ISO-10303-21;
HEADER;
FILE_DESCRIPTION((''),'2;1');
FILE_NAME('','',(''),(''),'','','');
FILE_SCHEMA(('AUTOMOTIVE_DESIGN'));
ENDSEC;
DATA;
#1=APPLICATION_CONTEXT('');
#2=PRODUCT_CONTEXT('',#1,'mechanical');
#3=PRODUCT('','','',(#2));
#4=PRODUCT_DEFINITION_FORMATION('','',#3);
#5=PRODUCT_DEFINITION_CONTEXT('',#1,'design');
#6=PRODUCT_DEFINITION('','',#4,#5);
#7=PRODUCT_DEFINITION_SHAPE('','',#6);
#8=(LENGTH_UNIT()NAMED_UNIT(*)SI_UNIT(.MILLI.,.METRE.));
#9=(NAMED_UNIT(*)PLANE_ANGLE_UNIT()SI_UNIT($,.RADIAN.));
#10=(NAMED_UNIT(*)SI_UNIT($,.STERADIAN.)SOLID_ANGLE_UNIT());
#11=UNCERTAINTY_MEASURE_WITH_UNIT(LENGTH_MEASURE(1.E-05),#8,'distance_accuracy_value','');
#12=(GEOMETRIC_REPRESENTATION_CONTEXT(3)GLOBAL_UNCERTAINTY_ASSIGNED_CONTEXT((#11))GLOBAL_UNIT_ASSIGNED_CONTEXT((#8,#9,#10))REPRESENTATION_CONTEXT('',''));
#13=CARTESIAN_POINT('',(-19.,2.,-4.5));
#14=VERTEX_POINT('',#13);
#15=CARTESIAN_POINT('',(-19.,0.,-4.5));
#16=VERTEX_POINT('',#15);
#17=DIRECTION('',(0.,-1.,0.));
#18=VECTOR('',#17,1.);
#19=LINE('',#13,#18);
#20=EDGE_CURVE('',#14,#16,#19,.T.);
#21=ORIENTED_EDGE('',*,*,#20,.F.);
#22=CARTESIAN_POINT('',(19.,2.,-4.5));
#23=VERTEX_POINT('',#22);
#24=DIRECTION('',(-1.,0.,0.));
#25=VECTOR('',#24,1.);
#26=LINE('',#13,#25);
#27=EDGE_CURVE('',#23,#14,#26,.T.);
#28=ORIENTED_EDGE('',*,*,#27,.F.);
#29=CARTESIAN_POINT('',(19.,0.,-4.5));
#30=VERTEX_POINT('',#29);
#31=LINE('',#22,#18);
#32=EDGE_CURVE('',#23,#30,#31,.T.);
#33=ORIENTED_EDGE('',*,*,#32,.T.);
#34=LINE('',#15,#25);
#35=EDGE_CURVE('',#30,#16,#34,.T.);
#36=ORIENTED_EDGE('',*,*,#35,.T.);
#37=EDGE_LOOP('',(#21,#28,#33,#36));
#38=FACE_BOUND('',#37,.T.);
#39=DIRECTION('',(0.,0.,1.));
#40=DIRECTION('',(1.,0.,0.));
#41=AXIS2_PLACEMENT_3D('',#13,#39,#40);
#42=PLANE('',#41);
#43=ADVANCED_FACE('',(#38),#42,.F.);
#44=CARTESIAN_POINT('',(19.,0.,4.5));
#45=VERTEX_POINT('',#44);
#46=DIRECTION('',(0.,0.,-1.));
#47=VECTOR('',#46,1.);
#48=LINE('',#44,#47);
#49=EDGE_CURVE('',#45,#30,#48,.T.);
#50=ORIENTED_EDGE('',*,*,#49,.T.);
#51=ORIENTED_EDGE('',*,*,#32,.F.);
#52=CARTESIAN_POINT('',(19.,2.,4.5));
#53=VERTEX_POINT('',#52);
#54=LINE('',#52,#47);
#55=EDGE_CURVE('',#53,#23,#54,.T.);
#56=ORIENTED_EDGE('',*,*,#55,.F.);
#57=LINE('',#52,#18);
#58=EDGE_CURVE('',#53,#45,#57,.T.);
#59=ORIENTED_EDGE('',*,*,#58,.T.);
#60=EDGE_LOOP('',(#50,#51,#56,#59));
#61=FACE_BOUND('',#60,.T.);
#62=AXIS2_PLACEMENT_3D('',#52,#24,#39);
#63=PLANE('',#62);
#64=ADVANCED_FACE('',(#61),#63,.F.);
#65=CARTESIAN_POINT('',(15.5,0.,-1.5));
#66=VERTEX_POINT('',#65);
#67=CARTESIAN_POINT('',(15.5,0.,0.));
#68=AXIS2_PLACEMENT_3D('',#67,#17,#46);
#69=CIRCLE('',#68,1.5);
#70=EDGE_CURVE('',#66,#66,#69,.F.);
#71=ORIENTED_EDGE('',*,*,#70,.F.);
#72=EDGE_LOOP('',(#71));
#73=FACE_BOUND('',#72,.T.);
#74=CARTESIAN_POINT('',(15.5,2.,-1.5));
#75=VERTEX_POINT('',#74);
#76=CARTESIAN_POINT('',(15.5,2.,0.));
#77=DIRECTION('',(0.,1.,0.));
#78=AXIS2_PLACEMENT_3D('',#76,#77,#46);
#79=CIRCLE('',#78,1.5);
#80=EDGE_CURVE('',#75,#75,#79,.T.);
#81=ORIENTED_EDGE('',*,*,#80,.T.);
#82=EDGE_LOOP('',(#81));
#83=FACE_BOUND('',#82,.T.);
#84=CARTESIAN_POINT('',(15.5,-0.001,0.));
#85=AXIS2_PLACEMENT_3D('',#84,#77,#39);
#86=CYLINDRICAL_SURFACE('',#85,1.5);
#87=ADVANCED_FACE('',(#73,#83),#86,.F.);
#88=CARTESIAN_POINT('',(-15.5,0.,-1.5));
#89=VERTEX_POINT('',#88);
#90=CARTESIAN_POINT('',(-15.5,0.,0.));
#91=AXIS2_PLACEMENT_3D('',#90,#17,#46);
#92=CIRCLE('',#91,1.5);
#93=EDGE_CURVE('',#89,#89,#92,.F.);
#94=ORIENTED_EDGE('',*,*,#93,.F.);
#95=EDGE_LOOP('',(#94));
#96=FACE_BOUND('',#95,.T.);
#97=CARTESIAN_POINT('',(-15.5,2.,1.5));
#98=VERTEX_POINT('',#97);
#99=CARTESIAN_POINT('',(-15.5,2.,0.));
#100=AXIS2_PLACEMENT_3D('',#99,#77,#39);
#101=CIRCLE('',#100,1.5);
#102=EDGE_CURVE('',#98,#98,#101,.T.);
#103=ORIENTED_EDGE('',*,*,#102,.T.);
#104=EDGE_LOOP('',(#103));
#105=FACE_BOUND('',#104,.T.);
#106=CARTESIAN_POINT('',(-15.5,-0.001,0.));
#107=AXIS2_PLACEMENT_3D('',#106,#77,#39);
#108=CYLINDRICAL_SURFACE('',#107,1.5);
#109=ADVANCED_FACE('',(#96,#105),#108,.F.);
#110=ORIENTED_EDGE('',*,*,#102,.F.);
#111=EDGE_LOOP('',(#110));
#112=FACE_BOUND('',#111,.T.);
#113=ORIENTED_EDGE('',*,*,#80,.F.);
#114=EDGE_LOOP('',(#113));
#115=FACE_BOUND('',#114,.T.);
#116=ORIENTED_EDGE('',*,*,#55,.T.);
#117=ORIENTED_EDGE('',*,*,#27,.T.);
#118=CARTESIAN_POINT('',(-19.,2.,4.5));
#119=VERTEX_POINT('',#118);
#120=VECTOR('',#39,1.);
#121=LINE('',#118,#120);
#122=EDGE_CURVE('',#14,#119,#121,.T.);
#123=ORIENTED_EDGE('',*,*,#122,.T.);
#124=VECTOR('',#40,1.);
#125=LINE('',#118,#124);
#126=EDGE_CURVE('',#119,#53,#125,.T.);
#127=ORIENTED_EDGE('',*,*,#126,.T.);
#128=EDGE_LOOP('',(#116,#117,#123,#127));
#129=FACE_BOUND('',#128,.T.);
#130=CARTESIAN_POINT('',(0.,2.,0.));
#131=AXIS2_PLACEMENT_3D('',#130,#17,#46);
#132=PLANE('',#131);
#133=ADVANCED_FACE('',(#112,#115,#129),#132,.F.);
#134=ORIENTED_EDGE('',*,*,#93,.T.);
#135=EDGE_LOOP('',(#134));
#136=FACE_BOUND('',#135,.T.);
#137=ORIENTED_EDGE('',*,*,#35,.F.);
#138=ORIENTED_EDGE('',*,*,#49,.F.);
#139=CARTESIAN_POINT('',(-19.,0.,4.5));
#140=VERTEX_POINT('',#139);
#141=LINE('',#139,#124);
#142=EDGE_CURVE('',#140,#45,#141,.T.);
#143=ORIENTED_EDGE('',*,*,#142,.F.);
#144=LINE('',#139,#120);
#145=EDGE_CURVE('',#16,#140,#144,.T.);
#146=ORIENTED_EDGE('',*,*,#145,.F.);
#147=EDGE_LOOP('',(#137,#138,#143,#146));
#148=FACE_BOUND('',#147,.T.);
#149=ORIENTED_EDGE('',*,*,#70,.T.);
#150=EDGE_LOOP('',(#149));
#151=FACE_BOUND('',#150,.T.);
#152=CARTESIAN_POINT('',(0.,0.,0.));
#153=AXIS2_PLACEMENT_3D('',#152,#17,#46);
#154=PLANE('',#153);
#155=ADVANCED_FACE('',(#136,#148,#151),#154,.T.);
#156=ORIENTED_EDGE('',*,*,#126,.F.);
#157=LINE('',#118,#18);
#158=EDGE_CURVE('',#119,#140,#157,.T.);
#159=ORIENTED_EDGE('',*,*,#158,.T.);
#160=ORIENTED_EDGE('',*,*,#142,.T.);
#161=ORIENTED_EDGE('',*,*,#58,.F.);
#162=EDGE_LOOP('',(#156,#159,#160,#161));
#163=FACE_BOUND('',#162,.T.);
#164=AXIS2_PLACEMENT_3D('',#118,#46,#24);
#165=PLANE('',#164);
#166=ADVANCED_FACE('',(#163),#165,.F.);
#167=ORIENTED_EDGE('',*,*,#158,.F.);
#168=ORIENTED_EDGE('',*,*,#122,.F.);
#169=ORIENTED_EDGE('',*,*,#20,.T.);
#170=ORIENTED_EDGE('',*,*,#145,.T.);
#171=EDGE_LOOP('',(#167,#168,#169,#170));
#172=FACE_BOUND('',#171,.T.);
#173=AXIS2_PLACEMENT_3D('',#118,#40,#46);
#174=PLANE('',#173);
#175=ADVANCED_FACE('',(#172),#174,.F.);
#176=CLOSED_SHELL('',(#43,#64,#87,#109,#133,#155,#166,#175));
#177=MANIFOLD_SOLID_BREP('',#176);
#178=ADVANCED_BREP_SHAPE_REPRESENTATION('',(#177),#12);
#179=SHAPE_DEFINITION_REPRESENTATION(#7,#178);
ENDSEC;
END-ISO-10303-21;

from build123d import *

# Parameters (mm, degrees)
CROQUIS1_W              = 38
CROQUIS1_H              = 9
SALIENTE_EXTRUIR1_DEPTH = 2
CORTAR_EXTRUIR1_REACH   = 21.628
CROQUIS2_R              = 1.5


with BuildPart() as part:
    # Croquis1 → Saliente-Extruir1 (new body)
    with BuildSketch(Plane(origin=(0, 0, 0), x_dir=(1, 0, 0), z_dir=(0, 1, 0))):
        Rectangle(CROQUIS1_W, CROQUIS1_H)
    extrude(amount=SALIENTE_EXTRUIR1_DEPTH)

    # Croquis2 → Cortar-Extruir1 (cut, up to next)
    with BuildSketch(Plane(origin=(0, 2, 0), x_dir=(1, 0, 0), z_dir=(0, 1, 0)), mode=Mode.PRIVATE) as cortar_extruir1_sk1:
        with Locations(Location((-15.5, 0, 0), (0, 0, 270))):
            Circle(CROQUIS2_R)
    cortar_extruir1_tool1 = extrude(cortar_extruir1_sk1.sketch, amount=-CORTAR_EXTRUIR1_REACH, mode=Mode.PRIVATE) & part.part
    # Croquis2 → Cortar-Extruir1 (cut, up to next)
    with BuildSketch(Plane(origin=(0, 2, 0), x_dir=(1, 0, 0), z_dir=(0, 1, 0)), mode=Mode.PRIVATE) as cortar_extruir1_sk2:
        with Locations(Location((15.5, 0, 0), (0, 0, 90))):
            Circle(CROQUIS2_R)
    cortar_extruir1_tool2 = extrude(cortar_extruir1_sk2.sketch, amount=-CORTAR_EXTRUIR1_REACH, mode=Mode.PRIVATE) & part.part
    add(cortar_extruir1_tool1.solids().sort_by_distance((-15.5, 2, 0))[0], mode=Mode.SUBTRACT)
    add(cortar_extruir1_tool2.solids().sort_by_distance((15.5, 2, 0))[0], mode=Mode.SUBTRACT)


solid = part.part
